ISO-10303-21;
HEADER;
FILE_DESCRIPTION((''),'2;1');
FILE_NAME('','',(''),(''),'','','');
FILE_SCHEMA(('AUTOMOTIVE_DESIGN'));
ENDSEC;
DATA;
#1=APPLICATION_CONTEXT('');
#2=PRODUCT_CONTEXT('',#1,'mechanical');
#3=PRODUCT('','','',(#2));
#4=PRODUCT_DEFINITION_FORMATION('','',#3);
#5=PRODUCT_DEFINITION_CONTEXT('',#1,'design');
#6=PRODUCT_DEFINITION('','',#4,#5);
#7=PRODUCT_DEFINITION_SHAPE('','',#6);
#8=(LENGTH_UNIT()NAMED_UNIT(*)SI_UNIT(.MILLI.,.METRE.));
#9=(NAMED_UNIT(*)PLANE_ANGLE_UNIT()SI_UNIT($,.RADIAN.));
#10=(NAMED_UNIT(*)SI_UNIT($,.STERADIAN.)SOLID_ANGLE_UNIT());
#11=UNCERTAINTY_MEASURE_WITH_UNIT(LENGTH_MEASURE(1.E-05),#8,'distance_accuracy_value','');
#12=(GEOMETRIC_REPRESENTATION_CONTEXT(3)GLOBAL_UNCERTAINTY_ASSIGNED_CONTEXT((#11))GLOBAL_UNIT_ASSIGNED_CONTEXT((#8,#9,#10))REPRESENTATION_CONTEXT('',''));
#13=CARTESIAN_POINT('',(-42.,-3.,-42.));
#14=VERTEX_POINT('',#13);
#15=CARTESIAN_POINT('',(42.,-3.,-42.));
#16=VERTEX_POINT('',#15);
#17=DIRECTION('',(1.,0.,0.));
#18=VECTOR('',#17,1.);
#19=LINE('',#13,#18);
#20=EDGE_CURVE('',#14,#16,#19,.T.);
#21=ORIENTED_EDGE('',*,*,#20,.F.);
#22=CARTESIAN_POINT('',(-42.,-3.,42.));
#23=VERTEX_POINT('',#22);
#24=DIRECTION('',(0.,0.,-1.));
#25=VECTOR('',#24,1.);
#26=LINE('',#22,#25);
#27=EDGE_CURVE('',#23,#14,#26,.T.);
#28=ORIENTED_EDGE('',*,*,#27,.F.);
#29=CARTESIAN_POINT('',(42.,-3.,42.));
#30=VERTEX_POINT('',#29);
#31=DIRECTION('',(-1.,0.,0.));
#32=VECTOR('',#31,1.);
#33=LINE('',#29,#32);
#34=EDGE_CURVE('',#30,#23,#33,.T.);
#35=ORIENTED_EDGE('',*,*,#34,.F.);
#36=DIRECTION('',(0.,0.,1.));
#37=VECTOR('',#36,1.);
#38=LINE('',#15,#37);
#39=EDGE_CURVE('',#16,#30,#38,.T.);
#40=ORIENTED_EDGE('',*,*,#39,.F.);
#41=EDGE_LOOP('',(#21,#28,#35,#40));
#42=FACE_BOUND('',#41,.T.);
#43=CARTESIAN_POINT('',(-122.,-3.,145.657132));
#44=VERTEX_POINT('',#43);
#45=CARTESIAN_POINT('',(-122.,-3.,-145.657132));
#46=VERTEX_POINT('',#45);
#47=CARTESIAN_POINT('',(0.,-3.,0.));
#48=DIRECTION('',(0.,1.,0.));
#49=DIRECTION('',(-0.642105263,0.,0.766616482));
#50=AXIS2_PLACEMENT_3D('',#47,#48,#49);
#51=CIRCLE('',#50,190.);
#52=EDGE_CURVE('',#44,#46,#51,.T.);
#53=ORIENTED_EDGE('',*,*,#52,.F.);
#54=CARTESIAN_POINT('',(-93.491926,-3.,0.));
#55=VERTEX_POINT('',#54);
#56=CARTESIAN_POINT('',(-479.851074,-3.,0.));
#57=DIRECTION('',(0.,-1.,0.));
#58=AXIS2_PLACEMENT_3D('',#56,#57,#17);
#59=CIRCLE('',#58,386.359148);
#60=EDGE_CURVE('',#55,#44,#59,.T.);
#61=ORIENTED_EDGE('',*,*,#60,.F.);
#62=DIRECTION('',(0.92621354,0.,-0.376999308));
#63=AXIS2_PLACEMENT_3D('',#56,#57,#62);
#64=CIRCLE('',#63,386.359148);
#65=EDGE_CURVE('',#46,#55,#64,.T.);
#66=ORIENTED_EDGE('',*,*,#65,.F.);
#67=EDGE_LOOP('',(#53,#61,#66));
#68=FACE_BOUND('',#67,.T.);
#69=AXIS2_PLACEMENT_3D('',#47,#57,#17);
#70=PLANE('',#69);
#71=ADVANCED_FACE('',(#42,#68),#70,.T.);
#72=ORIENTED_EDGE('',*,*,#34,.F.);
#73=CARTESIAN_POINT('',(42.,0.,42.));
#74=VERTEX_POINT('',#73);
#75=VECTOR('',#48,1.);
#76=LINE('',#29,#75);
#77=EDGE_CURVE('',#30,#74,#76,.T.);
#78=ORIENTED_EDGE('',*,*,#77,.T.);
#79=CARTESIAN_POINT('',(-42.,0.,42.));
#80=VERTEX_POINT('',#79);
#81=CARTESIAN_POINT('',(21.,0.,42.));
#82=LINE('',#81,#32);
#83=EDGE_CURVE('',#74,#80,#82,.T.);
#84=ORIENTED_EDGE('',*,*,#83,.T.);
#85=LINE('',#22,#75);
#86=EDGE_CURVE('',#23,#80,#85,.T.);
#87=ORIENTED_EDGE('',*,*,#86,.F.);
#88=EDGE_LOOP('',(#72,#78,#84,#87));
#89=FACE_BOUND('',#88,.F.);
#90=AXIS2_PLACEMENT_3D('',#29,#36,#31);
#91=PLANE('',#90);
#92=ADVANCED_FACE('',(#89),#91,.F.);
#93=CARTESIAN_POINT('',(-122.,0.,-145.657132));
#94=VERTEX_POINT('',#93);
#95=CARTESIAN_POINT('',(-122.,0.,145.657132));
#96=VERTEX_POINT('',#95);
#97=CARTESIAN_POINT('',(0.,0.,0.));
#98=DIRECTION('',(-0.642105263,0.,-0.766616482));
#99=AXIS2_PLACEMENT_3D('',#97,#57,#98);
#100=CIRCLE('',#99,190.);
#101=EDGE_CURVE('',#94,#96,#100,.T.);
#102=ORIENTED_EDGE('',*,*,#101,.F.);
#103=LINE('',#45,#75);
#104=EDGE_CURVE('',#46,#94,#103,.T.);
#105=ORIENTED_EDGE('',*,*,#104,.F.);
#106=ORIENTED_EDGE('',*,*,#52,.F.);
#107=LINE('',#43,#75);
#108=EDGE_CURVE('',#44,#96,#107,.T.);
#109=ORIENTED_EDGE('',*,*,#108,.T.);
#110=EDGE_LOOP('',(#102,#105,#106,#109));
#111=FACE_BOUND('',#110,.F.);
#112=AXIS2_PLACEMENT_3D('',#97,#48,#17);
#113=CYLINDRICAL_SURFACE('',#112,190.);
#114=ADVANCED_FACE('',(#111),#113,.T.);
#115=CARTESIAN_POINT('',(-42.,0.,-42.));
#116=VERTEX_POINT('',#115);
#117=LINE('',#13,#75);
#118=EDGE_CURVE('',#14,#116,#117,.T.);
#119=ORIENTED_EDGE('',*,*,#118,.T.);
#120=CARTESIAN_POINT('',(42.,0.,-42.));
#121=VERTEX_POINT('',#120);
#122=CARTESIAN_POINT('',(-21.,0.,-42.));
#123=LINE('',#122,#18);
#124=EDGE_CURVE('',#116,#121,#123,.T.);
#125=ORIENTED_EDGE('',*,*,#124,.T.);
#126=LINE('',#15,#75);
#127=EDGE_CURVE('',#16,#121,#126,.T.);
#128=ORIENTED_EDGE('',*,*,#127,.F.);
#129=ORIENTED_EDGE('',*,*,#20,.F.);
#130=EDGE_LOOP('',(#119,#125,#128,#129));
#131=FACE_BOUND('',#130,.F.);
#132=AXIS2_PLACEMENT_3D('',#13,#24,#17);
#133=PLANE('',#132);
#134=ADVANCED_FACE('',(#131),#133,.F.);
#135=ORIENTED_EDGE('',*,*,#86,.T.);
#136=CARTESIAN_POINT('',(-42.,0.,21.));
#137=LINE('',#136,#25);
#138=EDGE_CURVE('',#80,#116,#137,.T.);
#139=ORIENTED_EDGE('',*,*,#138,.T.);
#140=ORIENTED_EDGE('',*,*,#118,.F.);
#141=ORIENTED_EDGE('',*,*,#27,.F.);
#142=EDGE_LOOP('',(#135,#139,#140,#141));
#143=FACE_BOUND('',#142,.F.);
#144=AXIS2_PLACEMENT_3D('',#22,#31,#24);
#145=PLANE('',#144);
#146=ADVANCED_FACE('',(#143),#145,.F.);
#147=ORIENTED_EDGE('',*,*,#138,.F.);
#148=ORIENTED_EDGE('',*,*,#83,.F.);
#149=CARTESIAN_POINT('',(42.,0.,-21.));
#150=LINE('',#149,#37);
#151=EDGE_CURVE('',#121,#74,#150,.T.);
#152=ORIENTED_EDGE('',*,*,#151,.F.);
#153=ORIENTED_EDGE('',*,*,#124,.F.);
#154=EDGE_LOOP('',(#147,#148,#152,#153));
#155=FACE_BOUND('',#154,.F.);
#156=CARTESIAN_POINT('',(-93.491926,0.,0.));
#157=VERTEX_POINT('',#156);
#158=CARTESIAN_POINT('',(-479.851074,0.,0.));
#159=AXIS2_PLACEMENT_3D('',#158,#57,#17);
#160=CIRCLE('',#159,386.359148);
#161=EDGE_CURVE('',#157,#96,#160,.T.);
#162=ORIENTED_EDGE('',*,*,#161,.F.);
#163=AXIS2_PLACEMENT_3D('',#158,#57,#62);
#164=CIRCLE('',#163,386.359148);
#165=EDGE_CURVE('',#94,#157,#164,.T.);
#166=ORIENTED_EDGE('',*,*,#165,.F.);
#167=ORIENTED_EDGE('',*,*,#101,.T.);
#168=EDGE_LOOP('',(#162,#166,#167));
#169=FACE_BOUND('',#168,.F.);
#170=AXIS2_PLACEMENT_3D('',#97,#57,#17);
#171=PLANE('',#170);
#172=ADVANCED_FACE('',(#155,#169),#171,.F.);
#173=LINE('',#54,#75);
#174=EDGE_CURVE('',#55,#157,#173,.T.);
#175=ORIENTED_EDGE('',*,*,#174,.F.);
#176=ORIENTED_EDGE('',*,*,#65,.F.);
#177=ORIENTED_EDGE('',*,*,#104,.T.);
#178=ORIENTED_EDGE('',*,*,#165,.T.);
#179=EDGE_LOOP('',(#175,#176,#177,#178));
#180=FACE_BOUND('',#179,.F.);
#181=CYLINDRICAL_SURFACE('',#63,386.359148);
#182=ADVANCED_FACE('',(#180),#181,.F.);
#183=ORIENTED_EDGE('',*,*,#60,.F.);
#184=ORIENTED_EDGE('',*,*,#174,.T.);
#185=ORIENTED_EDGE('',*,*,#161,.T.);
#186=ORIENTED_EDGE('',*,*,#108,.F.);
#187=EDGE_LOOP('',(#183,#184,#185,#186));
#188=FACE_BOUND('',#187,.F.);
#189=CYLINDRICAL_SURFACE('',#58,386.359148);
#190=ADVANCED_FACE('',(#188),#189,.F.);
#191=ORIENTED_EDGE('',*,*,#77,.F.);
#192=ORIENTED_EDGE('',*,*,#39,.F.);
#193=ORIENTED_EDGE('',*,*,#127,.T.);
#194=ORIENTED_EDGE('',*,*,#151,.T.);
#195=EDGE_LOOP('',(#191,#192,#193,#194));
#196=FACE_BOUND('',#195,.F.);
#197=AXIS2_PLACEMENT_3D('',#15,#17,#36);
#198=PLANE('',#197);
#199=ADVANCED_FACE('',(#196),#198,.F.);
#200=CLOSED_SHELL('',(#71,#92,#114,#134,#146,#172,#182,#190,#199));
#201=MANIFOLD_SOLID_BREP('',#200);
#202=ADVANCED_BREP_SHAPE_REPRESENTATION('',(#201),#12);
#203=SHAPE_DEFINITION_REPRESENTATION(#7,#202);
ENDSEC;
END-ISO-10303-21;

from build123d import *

# Parameters (mm, degrees)
F0_R     = 190
F1_DEPTH = 3
F2_W     = 42
F2_H     = 42
F3_DEPTH = 3.001
F5_DEPTH = 3.001


with BuildPart() as f1:
    # F0 (on Front) → F1 (new body)
    with BuildSketch(Plane.XZ):
        Circle(F0_R)
    extrude(amount=F1_DEPTH)

    # F2 (on face) → F3 (cut, through all)
    with BuildSketch(Plane.XZ.offset(3)):
        with Locations((-21, -21)):
            Rectangle(F2_W, F2_H)
        with Locations((21, -21)):
            Rectangle(F2_W, F2_H)
        with Locations((21, 21)):
            Rectangle(F2_W, F2_H)
        with Locations((-21, 21)):
            Rectangle(F2_W, F2_H)
    extrude(amount=-F3_DEPTH, mode=Mode.SUBTRACT)

    # F4 (on face) → F5 (cut, through all)
    with BuildSketch(Plane.XZ.offset(3)):
        with BuildLine():
            ThreePointArc((-122, -145.6571316483), (-100.6859205662, -74.2103602534), (-93.4919261309, 0))
            Line((-93.4919261309, 0), (-122, 0))
            Line((-122, 0), (-122, -145.6571316483))
        make_face()
        with BuildLine():
            Line((-122, 0), (-93.4919261309, 0))
            ThreePointArc((-93.4919261309, 0), (-100.6859205662, 74.2103602533), (-122, 145.6571316483))
            Line((-122, 145.6571316483), (-122, 0))
        make_face()
        with BuildLine():
            Line((-122, -145.6571316483), (-122, 0))
            Line((-122, 0), (-122, 145.6571316483))
            ThreePointArc((-122, 145.6571316483), (-190, 0), (-122, -145.6571316483))
        make_face()
    extrude(amount=-F5_DEPTH, mode=Mode.SUBTRACT)


solid = f1.part
